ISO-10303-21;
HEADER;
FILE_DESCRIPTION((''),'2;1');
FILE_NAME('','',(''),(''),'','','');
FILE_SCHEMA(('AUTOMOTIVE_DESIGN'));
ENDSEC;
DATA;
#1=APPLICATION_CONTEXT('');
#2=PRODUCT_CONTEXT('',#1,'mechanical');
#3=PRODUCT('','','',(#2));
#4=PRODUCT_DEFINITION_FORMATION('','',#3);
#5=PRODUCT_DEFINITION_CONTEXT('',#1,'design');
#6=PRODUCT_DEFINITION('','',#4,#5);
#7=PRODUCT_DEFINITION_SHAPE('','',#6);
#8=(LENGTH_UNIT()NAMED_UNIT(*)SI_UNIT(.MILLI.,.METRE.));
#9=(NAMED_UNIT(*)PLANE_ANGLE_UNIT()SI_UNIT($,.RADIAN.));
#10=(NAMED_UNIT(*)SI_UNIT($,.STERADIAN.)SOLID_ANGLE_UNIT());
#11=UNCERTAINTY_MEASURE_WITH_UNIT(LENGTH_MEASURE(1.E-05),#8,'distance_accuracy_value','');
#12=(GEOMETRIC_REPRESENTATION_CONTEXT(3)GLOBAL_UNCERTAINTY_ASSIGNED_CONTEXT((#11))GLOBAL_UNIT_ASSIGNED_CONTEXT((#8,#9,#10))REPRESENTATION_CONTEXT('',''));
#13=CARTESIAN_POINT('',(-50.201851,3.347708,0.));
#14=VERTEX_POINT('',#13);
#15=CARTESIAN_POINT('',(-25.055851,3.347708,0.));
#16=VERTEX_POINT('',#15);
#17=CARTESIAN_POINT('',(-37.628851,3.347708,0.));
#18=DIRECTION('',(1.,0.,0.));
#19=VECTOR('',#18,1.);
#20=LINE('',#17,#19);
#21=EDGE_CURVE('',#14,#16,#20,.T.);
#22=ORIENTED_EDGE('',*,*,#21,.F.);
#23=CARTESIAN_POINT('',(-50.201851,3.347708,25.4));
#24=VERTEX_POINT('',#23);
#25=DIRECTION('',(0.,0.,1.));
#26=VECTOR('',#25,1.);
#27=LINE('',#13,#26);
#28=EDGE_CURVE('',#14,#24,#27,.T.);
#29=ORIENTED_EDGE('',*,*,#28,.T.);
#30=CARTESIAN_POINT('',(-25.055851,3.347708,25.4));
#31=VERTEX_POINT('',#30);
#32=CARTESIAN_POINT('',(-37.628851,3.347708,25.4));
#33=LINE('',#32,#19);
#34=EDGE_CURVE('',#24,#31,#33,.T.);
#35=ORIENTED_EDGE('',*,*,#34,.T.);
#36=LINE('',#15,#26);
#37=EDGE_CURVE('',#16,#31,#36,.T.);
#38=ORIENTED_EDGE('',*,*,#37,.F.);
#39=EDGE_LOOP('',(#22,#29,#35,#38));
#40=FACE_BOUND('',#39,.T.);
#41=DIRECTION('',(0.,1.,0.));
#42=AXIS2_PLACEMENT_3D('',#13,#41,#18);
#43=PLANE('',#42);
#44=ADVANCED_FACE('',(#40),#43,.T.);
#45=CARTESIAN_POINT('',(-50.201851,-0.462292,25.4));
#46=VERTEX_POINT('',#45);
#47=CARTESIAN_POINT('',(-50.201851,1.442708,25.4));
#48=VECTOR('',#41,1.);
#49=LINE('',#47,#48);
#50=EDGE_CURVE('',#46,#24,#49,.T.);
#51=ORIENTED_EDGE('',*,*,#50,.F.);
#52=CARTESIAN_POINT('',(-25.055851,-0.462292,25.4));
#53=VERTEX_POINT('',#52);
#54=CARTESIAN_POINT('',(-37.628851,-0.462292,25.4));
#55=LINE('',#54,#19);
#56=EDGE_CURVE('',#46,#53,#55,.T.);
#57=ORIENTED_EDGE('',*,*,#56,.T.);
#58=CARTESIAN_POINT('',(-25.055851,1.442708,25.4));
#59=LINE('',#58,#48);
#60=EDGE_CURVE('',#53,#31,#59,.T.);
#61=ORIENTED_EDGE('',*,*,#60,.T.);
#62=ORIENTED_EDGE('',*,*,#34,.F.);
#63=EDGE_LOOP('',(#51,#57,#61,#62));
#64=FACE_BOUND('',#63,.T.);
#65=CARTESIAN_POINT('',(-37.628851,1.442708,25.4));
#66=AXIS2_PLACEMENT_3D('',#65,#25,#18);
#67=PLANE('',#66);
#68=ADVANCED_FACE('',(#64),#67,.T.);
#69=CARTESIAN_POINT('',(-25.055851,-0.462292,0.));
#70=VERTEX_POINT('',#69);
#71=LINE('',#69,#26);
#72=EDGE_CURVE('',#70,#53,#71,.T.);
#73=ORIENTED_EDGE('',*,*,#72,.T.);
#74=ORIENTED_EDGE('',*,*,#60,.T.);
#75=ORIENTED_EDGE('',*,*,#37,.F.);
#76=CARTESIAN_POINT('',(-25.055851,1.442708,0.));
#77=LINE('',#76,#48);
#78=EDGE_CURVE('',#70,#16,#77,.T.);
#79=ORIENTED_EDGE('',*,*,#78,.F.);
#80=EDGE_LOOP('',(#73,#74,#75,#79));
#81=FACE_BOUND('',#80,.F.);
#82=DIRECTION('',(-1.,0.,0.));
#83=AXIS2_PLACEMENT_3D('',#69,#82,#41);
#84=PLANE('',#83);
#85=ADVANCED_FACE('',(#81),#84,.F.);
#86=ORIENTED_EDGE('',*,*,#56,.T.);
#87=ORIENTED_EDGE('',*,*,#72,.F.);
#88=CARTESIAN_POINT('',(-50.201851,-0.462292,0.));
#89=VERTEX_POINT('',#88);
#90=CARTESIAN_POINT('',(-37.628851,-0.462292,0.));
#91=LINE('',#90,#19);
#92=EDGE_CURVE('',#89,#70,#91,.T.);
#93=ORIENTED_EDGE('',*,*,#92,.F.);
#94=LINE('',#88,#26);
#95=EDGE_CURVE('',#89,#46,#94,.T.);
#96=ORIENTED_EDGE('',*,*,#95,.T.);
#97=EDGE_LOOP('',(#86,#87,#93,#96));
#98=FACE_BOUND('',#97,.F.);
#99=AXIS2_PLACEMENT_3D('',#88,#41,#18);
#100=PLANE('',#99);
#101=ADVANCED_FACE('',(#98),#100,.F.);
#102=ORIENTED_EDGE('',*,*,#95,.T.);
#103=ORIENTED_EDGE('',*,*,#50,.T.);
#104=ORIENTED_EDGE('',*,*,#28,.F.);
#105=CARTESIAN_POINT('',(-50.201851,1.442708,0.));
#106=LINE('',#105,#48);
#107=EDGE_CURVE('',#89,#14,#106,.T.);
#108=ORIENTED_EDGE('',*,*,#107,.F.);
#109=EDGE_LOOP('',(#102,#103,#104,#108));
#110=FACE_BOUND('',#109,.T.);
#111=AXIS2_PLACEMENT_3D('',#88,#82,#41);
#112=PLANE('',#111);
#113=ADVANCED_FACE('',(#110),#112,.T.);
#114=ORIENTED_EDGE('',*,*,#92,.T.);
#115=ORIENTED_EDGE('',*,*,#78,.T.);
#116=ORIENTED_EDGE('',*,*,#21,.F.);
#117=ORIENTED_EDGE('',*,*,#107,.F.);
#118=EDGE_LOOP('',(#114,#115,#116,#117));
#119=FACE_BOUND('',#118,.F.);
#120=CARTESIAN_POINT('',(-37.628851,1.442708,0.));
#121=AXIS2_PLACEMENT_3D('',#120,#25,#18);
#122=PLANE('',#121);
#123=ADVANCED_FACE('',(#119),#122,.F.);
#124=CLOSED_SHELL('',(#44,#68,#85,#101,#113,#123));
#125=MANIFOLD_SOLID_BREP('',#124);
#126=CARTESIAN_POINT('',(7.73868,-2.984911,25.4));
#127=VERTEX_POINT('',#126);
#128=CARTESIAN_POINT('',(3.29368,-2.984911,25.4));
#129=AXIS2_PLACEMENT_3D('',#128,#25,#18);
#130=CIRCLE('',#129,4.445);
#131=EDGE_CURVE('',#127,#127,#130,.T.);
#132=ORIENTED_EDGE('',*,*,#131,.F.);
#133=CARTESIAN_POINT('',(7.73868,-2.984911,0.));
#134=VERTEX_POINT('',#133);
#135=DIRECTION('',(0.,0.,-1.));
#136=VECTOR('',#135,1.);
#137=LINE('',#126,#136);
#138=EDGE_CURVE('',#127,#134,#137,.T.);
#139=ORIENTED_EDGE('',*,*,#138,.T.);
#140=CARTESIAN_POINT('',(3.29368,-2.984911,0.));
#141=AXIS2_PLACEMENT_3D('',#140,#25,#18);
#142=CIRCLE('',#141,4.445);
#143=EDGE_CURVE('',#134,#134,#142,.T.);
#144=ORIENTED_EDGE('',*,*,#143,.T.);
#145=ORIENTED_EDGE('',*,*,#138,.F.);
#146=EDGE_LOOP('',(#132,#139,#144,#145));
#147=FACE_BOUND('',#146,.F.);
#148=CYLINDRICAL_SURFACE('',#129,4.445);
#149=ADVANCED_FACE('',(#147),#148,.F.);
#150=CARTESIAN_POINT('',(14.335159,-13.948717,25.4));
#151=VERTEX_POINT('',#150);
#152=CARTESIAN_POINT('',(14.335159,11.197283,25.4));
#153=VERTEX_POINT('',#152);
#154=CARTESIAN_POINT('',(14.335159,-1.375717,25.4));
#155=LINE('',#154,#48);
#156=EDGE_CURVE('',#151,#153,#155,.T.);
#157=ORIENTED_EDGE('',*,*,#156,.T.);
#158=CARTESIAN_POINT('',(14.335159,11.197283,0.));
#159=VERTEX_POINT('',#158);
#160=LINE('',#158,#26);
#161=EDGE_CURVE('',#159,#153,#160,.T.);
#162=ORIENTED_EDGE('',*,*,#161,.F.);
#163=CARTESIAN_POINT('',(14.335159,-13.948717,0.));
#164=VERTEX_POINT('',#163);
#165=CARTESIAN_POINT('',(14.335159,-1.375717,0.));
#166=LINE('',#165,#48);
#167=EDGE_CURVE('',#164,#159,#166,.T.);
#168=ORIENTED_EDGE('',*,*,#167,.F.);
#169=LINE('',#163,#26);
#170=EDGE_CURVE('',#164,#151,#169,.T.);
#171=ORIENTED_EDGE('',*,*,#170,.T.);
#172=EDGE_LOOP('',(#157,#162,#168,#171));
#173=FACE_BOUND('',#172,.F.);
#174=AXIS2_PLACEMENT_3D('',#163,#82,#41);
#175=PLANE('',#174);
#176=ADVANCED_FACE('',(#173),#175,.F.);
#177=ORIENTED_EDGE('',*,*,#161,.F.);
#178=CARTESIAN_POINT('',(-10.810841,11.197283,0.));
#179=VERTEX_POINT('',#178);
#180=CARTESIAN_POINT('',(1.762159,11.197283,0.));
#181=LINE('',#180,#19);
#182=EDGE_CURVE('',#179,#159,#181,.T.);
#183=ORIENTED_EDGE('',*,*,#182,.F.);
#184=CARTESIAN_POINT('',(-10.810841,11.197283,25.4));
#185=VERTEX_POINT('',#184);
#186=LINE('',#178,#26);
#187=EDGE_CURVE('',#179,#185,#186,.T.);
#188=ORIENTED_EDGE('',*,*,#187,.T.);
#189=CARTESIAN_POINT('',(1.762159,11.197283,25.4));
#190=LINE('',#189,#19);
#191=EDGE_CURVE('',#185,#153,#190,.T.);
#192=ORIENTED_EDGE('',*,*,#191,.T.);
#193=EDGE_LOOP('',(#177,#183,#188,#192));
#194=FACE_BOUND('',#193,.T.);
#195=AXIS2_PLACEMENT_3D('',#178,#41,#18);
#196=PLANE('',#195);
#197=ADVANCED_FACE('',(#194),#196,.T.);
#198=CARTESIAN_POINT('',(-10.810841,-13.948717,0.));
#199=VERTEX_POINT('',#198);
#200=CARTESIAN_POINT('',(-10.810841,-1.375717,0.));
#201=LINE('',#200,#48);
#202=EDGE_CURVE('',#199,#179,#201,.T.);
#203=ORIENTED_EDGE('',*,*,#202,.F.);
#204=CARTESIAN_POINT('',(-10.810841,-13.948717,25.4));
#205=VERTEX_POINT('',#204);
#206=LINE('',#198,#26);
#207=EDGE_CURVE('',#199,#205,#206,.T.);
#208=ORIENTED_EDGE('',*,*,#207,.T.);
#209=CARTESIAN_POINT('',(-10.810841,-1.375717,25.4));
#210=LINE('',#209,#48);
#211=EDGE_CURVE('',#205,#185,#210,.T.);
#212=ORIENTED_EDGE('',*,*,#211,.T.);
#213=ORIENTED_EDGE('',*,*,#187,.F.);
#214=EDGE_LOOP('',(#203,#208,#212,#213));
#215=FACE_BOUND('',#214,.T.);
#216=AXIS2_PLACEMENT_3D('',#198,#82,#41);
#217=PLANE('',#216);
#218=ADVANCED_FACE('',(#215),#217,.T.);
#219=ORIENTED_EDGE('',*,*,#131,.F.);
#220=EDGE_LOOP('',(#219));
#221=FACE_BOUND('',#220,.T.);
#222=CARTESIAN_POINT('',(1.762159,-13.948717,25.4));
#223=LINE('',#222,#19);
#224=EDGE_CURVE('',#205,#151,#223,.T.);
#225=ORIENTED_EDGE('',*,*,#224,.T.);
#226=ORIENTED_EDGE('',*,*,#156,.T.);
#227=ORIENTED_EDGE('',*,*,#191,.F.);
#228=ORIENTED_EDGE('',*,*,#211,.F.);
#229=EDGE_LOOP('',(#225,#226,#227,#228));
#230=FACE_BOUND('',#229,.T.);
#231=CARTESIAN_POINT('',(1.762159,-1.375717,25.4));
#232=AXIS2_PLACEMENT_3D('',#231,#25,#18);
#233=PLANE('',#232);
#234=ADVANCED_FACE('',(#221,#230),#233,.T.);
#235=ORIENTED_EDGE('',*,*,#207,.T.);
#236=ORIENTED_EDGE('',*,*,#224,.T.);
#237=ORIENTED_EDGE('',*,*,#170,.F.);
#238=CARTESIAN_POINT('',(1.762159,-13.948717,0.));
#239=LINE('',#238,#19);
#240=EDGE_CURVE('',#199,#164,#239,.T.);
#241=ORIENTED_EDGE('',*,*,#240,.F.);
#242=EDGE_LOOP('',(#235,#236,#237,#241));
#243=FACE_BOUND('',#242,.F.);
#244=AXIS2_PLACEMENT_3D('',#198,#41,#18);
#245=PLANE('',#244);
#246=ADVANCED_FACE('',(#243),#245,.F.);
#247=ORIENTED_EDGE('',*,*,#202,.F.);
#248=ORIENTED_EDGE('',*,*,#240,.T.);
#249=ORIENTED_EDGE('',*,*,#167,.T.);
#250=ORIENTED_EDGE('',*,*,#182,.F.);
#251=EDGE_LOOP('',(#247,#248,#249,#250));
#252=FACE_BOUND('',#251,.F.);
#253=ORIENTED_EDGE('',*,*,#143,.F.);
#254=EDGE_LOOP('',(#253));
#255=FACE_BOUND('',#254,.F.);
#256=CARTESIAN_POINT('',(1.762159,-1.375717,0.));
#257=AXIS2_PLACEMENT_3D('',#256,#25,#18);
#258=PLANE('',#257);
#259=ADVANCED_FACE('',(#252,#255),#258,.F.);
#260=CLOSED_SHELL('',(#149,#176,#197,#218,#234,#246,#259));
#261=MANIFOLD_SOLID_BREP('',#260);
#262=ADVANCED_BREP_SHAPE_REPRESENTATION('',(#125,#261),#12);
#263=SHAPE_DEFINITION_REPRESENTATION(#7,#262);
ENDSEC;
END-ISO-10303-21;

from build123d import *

# Parameters (mm, degrees)
F0_W     = 25.146
F0_H     = 25.146
F1_DEPTH = 25.4
F2_R     = 4.445
F3_DEPTH = 25.4
F4_W     = 25.146
F4_H     = 3.81
F5_DEPTH = 25.4


with BuildPart() as f1:
    # F0 (on Top) → F1 (new body)
    with BuildSketch(Plane.XY):
        with Locations((1.762159, -1.375717)):
            Rectangle(F0_W, F0_H)
    extrude(amount=F1_DEPTH)

    # F2 (on face) → F3 (cut)
    with BuildSketch(Plane.XY.offset(25.4)):
        with Locations((3.29368, -2.984911)):
            Circle(F2_R)
    extrude(amount=-F3_DEPTH, mode=Mode.SUBTRACT)


with BuildPart() as f5:
    # F4 (on Top) → F5 (new body)
    with BuildSketch(Plane.XY):
        with Locations((-37.628851, 1.442708)):
            Rectangle(F4_W, F4_H)
    extrude(amount=F5_DEPTH)


solid = Compound([f1.part, f5.part])
